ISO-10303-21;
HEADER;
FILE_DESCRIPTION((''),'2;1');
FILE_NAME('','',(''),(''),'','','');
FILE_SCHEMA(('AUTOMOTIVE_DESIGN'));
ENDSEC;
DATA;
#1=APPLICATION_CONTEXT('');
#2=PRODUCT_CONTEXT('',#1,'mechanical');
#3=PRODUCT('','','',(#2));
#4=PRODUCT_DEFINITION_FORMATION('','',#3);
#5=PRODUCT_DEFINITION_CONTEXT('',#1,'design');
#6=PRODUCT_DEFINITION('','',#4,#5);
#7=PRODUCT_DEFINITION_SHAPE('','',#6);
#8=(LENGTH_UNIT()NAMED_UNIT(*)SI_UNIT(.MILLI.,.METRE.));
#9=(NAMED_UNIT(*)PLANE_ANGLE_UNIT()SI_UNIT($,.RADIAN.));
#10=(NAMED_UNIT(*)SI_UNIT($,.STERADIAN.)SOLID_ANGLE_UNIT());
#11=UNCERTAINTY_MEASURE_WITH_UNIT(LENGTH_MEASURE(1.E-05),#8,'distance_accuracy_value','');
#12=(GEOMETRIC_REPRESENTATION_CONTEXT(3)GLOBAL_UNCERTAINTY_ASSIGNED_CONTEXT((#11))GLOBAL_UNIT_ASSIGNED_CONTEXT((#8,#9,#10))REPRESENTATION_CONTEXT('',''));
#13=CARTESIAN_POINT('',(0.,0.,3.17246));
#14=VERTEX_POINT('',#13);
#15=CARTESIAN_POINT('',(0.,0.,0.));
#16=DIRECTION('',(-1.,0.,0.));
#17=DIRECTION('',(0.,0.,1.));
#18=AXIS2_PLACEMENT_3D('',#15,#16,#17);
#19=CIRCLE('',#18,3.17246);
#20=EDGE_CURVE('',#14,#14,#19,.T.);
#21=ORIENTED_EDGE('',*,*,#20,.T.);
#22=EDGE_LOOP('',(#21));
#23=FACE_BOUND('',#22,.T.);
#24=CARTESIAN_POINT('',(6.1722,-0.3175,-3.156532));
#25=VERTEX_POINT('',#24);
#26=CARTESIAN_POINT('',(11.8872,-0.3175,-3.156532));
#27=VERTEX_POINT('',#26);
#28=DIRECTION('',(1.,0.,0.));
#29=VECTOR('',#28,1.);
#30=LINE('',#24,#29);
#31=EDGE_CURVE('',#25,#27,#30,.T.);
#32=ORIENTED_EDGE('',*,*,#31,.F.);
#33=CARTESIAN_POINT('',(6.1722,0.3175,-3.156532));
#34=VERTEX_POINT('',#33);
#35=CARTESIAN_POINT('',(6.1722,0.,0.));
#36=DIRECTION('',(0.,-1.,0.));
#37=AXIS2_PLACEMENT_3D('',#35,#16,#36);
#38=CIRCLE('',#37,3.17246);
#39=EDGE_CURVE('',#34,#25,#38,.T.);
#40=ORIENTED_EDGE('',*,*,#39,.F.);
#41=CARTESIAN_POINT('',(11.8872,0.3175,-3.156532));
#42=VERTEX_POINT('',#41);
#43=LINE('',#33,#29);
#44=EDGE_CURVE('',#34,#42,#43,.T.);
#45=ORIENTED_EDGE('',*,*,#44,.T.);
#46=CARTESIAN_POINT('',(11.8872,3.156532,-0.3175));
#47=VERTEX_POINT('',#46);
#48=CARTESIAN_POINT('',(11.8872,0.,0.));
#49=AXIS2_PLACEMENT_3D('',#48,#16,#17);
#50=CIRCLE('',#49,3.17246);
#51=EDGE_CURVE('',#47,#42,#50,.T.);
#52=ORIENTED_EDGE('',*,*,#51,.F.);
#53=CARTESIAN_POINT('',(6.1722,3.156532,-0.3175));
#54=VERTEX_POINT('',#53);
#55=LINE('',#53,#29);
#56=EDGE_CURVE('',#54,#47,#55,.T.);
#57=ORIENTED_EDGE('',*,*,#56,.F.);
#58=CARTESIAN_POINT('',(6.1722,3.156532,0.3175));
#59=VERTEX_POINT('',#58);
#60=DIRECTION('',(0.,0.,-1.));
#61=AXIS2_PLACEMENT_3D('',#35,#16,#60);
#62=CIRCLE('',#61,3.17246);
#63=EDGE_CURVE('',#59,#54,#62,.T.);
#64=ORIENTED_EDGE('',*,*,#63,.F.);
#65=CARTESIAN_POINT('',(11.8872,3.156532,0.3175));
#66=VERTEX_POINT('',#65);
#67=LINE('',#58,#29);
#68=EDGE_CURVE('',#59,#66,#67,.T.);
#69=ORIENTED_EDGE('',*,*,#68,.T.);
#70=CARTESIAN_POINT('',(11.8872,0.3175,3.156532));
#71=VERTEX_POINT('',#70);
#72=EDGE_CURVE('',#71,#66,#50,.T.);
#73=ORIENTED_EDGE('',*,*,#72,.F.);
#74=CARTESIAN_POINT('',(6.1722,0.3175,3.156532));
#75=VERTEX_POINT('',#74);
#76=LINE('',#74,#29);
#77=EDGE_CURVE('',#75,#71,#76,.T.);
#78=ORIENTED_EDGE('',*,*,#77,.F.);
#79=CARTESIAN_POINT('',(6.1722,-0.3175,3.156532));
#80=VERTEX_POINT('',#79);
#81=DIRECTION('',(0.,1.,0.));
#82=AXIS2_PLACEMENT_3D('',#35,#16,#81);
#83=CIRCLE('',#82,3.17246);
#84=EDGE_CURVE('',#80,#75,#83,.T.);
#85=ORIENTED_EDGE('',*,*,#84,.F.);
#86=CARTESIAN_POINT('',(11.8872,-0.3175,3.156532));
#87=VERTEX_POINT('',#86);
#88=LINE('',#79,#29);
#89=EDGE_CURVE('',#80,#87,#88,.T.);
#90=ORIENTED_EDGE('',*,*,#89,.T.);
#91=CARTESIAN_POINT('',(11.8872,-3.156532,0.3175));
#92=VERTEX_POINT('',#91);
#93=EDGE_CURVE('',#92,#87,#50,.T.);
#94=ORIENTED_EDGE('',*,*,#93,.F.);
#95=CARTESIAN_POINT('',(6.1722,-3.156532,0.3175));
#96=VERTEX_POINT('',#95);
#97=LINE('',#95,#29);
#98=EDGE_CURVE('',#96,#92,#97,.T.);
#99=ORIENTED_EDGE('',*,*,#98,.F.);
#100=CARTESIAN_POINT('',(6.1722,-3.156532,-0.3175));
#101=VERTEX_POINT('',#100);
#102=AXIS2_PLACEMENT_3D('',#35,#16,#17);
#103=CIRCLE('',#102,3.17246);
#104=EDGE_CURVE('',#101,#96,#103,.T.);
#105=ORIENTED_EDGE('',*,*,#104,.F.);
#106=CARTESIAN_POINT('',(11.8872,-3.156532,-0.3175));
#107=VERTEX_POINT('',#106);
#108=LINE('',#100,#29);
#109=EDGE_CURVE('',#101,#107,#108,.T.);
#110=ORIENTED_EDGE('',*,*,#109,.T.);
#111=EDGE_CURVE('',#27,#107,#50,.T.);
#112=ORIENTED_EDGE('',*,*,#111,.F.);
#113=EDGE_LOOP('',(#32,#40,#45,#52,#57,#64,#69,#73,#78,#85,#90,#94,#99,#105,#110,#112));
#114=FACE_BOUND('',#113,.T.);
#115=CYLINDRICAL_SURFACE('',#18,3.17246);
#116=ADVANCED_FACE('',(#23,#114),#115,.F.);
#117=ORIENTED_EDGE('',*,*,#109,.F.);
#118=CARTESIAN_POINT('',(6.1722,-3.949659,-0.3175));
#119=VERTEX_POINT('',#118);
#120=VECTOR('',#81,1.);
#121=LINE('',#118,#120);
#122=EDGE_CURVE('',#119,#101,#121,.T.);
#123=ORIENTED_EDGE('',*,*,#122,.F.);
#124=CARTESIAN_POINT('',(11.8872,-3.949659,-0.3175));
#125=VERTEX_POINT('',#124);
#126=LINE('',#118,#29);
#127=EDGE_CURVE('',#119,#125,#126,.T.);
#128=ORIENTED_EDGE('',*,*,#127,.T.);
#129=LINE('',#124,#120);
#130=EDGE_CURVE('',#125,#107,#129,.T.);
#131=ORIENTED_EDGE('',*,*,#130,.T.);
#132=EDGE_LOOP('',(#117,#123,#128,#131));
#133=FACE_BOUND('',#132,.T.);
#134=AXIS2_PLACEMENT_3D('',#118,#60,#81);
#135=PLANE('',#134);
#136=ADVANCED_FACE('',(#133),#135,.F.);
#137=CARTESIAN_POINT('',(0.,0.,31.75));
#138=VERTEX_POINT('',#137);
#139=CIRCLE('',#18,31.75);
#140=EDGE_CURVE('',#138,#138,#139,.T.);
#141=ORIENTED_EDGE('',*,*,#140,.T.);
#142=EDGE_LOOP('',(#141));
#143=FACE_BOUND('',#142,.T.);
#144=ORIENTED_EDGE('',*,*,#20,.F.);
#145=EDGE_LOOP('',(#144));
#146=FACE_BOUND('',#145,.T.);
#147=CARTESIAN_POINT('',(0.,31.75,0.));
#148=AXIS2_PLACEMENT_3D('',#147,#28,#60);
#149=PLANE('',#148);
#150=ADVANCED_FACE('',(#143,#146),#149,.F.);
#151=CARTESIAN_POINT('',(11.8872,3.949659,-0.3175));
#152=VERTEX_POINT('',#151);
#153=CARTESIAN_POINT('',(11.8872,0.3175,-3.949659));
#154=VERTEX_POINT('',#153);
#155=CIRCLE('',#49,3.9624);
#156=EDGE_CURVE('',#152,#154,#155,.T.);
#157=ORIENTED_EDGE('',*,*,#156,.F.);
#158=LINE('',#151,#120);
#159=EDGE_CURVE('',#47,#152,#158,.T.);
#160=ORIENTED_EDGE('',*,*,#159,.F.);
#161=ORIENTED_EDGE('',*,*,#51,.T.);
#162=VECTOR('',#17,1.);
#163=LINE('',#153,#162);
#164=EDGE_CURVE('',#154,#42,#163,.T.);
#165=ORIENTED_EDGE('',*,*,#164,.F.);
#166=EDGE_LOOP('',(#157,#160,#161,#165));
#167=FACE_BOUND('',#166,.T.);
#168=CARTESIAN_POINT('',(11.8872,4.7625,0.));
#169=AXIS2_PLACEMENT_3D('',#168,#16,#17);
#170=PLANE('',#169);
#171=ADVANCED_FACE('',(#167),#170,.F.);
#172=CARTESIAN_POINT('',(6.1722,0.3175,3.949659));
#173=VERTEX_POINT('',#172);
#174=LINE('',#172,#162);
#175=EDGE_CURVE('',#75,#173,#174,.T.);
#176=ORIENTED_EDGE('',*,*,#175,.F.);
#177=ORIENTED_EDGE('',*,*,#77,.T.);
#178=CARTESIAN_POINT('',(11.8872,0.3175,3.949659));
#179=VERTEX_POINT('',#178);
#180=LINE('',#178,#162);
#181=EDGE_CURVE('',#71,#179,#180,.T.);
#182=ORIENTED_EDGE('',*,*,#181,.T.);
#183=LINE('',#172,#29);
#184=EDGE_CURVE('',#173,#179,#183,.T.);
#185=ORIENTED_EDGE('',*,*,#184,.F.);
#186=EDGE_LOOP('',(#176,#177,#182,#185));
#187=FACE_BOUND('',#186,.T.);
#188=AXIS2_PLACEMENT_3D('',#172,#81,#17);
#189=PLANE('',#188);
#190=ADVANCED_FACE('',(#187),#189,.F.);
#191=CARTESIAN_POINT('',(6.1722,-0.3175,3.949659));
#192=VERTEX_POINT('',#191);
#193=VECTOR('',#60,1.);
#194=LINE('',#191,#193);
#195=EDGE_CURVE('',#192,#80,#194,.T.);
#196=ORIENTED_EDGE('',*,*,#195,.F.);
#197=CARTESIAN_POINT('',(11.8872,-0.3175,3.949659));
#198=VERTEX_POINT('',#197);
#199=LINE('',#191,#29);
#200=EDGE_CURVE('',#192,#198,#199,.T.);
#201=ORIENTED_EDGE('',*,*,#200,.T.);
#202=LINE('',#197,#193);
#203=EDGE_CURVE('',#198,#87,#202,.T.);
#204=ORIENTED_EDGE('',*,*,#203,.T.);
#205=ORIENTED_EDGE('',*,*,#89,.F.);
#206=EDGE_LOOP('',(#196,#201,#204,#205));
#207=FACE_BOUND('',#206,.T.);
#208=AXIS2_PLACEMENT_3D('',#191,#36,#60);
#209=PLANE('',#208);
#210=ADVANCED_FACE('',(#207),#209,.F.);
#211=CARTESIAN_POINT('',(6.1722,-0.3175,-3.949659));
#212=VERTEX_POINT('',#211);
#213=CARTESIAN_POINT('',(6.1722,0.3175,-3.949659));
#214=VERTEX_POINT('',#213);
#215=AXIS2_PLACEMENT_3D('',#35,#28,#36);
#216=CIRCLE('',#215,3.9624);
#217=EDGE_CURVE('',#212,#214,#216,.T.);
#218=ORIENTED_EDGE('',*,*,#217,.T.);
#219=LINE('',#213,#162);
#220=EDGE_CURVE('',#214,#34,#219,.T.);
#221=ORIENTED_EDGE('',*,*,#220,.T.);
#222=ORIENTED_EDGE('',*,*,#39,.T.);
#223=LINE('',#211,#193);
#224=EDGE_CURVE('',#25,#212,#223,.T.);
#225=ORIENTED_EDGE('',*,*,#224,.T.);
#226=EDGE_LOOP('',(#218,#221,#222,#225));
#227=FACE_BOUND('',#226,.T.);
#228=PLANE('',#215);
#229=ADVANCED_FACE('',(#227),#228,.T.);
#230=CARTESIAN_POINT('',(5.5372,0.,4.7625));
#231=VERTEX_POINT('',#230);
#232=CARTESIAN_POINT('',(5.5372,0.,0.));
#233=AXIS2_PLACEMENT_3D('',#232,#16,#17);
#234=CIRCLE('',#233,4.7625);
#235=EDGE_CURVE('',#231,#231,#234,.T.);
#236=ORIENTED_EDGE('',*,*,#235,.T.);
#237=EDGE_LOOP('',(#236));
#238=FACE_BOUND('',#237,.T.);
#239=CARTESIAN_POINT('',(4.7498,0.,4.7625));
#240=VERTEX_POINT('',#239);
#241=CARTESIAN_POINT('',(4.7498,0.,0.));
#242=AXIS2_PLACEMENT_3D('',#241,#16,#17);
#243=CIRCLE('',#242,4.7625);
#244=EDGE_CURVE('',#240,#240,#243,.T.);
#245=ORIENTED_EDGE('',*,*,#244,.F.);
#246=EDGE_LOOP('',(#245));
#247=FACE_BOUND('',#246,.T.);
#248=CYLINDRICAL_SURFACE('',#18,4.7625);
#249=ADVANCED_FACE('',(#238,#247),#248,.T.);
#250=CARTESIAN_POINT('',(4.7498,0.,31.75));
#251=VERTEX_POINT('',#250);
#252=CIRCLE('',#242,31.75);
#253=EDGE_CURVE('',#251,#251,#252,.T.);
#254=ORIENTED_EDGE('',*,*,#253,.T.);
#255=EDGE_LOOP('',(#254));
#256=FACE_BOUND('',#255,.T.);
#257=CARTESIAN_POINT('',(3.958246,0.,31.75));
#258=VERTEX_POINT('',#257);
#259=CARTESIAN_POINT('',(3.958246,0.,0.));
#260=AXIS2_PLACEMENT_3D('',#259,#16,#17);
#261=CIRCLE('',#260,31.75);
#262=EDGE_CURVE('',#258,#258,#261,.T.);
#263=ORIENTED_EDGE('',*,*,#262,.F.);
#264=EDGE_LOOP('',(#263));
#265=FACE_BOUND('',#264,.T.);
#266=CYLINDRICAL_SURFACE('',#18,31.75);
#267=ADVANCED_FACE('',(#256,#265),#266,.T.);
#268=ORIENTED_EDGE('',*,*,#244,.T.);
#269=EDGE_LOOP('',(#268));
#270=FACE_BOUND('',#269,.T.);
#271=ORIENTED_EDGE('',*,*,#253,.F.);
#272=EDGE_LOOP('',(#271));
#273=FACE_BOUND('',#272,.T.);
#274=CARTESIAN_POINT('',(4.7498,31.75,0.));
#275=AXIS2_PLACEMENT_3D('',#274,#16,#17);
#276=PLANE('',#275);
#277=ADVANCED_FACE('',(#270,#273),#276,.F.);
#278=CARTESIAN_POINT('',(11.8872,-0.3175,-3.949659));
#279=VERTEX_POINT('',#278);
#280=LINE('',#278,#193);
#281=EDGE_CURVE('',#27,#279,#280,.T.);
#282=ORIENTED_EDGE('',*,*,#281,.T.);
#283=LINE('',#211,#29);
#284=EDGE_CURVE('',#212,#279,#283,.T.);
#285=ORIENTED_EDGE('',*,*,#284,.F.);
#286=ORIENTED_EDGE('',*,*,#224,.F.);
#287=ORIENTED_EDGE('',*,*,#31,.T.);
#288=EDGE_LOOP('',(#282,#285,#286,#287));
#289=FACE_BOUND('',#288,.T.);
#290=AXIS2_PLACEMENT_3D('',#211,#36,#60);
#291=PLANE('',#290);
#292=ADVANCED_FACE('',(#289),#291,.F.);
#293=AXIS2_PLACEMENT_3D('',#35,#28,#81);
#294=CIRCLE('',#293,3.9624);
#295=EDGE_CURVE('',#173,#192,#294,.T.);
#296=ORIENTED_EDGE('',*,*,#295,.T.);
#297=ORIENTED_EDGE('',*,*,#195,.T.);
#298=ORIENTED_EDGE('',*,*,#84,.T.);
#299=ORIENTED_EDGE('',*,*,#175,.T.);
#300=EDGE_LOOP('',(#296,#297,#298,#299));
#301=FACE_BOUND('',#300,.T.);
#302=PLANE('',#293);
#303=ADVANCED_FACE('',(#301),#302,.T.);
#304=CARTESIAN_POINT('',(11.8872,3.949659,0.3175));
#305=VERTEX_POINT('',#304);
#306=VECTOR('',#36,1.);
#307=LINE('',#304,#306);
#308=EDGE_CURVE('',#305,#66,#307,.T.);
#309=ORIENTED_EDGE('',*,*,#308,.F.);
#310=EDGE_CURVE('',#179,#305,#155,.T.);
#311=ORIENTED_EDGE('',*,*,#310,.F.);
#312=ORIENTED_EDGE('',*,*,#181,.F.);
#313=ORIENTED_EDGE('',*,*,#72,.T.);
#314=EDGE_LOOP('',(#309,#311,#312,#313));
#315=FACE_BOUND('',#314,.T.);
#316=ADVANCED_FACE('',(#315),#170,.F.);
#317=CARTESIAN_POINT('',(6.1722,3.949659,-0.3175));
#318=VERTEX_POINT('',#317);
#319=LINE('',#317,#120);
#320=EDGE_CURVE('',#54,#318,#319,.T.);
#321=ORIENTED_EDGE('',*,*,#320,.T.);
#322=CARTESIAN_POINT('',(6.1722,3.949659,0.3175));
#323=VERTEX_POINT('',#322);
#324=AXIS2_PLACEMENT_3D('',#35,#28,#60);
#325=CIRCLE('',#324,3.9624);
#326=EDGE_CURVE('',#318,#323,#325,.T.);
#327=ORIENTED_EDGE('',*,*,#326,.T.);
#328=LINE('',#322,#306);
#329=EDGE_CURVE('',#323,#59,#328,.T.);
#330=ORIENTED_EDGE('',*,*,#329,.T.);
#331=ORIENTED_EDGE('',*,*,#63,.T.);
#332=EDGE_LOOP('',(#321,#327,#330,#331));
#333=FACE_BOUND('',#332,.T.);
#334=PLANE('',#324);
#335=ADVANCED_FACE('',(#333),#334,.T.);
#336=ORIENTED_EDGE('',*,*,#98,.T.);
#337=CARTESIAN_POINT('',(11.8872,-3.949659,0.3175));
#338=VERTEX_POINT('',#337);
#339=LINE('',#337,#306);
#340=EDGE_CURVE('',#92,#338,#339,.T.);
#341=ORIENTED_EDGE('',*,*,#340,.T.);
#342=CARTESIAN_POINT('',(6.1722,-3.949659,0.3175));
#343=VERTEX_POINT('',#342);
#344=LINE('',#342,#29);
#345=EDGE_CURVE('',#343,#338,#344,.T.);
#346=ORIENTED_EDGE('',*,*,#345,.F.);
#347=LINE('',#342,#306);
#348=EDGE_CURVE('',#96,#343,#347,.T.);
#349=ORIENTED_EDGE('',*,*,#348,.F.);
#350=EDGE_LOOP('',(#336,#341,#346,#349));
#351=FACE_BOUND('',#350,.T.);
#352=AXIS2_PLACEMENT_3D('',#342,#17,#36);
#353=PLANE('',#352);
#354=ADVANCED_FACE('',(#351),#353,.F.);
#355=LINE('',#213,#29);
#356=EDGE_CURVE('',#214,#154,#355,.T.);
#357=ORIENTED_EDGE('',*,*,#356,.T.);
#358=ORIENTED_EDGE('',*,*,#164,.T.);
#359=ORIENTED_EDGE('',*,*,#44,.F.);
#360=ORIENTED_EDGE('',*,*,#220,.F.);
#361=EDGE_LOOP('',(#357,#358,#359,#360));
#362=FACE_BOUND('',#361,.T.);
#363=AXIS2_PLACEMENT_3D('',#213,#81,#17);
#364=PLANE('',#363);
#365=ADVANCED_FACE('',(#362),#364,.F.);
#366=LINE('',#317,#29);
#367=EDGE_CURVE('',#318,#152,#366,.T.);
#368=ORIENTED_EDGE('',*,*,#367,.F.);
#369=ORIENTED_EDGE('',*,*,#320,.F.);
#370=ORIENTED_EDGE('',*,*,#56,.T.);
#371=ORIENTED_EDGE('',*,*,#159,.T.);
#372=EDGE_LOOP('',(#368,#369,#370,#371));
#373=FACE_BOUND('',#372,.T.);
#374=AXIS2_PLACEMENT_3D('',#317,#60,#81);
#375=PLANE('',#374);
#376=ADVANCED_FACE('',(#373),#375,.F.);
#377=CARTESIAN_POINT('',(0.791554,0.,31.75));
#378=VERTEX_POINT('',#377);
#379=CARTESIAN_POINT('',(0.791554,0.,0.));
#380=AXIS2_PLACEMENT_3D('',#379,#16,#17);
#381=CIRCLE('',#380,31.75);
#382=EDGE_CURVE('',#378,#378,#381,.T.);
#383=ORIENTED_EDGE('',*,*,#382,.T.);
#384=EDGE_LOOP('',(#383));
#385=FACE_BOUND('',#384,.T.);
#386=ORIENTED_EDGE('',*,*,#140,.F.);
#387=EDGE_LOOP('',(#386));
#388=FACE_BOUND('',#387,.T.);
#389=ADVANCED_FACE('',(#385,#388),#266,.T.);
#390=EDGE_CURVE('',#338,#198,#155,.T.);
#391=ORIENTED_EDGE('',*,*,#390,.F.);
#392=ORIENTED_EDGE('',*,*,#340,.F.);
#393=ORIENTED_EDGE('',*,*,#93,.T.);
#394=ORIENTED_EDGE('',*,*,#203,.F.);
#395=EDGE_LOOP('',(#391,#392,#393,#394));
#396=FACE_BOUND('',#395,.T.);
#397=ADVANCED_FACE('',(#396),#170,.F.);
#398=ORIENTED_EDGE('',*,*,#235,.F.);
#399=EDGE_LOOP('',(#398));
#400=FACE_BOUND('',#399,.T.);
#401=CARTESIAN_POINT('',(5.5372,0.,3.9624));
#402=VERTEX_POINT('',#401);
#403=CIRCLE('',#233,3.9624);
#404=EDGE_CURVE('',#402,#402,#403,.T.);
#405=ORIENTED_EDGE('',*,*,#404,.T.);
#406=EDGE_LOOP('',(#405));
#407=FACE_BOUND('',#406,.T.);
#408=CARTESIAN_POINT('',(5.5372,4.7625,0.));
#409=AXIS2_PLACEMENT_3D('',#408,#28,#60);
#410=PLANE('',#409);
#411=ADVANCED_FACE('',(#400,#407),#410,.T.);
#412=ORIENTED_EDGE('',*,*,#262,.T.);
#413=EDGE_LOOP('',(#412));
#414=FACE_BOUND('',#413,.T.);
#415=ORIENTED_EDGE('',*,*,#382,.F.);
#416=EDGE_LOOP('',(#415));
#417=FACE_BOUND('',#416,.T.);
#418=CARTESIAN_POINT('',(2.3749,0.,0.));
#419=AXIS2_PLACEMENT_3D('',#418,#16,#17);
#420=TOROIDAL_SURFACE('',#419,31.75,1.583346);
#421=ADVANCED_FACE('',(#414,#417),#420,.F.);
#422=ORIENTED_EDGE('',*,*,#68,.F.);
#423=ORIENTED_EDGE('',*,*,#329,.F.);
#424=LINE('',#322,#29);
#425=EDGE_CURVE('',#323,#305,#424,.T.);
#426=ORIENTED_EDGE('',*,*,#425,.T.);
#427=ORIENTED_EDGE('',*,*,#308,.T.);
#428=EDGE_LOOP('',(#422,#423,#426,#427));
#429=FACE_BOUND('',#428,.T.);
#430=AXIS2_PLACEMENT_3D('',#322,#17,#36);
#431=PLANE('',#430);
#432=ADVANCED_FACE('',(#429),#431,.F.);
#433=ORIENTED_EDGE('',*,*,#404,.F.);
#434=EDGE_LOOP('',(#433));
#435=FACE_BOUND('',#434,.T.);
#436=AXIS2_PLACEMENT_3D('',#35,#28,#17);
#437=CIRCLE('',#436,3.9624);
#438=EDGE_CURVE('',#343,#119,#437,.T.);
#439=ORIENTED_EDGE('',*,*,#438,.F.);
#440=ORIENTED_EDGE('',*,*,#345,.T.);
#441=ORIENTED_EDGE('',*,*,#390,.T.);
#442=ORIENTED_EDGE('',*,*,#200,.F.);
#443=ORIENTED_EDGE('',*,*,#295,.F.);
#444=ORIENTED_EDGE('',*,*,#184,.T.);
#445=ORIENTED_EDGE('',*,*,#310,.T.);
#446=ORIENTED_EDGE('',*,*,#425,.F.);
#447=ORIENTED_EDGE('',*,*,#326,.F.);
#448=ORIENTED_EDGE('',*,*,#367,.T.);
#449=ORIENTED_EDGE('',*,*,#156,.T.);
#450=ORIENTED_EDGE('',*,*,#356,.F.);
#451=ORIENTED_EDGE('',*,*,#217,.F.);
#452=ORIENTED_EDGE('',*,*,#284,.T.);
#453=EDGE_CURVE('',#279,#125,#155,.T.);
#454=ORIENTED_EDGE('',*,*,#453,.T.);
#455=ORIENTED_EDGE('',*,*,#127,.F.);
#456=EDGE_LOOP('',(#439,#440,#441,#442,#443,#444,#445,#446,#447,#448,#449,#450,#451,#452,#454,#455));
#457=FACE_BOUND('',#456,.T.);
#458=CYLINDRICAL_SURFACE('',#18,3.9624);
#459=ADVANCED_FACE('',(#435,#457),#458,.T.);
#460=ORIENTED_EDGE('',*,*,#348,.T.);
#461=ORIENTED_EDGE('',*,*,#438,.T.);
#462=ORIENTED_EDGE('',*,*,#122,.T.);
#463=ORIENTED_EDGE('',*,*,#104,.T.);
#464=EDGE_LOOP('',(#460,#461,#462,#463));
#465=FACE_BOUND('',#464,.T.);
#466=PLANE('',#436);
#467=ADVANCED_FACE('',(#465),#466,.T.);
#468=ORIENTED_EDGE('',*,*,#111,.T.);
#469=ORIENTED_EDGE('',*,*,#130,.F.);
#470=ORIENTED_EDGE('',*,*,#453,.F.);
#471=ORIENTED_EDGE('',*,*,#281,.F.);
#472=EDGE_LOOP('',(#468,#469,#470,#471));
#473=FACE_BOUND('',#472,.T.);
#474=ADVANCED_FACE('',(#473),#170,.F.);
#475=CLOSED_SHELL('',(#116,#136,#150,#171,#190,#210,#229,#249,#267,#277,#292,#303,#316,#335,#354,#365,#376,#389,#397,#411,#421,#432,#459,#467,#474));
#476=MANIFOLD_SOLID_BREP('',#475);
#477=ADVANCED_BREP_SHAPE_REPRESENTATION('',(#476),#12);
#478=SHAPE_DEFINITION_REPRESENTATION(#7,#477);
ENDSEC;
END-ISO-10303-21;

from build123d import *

# Parameters (mm, degrees)
SKETCH2_W               = 6.35
SKETCH2_H               = 0.8001
CUT_EXTRUDE1_SLOT_START = -5.715
CUT_EXTRUDE1_SLOT_DEPTH = 5.715
CIRPATTERN1_COUNT       = 4


with BuildPart() as part:
    # Sketch1 → Revolve1-MAIN BODY (revolve)
    with BuildSketch(Plane.XY, mode=Mode.PRIVATE) as revolve1_main_body_sk:
        with BuildLine():
            Line((0, 31.75), (0.79155417, 31.75))
            ThreePointArc((0.79155417, 31.75), (2.3749, 30.16665417), (3.95824583, 31.75))
            Line((3.95824583, 31.75), (4.7498, 31.75))
            Line((4.7498, 31.75), (4.7498, 4.7625))
            Line((4.7498, 4.7625), (11.8872, 4.7625))
            Line((11.8872, 4.7625), (11.8872, 3.17246))
            Line((11.8872, 3.17246), (0, 3.17246))
            Line((0, 3.17246), (0, 31.75))
        make_face()
    revolve(revolve1_main_body_sk.sketch.rotate(Axis((0, 0, 0), (1, 0, 0)), 90), axis=Axis((0, 0, 0), (1, 0, 0)))

    # Sketch2 → Cut-Revolve1-SLOT (revolve, cut)
    with BuildSketch(Plane.XY, mode=Mode.PRIVATE) as cut_revolve1_slot_sk:
        with Locations((8.7122, 4.36245)):
            Rectangle(SKETCH2_W, SKETCH2_H)
    revolve(cut_revolve1_slot_sk.sketch.rotate(Axis((0, 0, 0), (1, 0, 0)), 90), axis=Axis((0, 0, 0), (1, 0, 0)), mode=Mode.SUBTRACT)

    # Sketch3 → Cut-Extrude1-SLOT (cut)
    with BuildSketch(Plane(origin=(11.8872, 0, 0), x_dir=(0, 0, -1), z_dir=(1, 0, 0)).offset(CUT_EXTRUDE1_SLOT_START)):
        with BuildLine():
            Line((-0.3175, 3.949659164), (-0.3175, 3.156532306))
            ThreePointArc((-0.3175, 3.156532306), (0, 3.17246), (0.3175, 3.156532306))
            Line((0.3175, 3.156532306), (0.3175, 3.949659164))
            ThreePointArc((0.3175, 3.949659164), (0, 3.9624), (-0.3175, 3.949659164))
        make_face()
    cut_extrude1_slot = extrude(amount=CUT_EXTRUDE1_SLOT_DEPTH, mode=Mode.SUBTRACT)

    # CirPattern1: Cut-Extrude1-SLOT ×4 about axis
    cirpattern1_axis = Axis((0, 0, 0), (1, 0, 0))
    for i in range(1, CIRPATTERN1_COUNT):
        add(cut_extrude1_slot.rotate(cirpattern1_axis, i * 360 / CIRPATTERN1_COUNT), mode=Mode.SUBTRACT)


solid = part.part
